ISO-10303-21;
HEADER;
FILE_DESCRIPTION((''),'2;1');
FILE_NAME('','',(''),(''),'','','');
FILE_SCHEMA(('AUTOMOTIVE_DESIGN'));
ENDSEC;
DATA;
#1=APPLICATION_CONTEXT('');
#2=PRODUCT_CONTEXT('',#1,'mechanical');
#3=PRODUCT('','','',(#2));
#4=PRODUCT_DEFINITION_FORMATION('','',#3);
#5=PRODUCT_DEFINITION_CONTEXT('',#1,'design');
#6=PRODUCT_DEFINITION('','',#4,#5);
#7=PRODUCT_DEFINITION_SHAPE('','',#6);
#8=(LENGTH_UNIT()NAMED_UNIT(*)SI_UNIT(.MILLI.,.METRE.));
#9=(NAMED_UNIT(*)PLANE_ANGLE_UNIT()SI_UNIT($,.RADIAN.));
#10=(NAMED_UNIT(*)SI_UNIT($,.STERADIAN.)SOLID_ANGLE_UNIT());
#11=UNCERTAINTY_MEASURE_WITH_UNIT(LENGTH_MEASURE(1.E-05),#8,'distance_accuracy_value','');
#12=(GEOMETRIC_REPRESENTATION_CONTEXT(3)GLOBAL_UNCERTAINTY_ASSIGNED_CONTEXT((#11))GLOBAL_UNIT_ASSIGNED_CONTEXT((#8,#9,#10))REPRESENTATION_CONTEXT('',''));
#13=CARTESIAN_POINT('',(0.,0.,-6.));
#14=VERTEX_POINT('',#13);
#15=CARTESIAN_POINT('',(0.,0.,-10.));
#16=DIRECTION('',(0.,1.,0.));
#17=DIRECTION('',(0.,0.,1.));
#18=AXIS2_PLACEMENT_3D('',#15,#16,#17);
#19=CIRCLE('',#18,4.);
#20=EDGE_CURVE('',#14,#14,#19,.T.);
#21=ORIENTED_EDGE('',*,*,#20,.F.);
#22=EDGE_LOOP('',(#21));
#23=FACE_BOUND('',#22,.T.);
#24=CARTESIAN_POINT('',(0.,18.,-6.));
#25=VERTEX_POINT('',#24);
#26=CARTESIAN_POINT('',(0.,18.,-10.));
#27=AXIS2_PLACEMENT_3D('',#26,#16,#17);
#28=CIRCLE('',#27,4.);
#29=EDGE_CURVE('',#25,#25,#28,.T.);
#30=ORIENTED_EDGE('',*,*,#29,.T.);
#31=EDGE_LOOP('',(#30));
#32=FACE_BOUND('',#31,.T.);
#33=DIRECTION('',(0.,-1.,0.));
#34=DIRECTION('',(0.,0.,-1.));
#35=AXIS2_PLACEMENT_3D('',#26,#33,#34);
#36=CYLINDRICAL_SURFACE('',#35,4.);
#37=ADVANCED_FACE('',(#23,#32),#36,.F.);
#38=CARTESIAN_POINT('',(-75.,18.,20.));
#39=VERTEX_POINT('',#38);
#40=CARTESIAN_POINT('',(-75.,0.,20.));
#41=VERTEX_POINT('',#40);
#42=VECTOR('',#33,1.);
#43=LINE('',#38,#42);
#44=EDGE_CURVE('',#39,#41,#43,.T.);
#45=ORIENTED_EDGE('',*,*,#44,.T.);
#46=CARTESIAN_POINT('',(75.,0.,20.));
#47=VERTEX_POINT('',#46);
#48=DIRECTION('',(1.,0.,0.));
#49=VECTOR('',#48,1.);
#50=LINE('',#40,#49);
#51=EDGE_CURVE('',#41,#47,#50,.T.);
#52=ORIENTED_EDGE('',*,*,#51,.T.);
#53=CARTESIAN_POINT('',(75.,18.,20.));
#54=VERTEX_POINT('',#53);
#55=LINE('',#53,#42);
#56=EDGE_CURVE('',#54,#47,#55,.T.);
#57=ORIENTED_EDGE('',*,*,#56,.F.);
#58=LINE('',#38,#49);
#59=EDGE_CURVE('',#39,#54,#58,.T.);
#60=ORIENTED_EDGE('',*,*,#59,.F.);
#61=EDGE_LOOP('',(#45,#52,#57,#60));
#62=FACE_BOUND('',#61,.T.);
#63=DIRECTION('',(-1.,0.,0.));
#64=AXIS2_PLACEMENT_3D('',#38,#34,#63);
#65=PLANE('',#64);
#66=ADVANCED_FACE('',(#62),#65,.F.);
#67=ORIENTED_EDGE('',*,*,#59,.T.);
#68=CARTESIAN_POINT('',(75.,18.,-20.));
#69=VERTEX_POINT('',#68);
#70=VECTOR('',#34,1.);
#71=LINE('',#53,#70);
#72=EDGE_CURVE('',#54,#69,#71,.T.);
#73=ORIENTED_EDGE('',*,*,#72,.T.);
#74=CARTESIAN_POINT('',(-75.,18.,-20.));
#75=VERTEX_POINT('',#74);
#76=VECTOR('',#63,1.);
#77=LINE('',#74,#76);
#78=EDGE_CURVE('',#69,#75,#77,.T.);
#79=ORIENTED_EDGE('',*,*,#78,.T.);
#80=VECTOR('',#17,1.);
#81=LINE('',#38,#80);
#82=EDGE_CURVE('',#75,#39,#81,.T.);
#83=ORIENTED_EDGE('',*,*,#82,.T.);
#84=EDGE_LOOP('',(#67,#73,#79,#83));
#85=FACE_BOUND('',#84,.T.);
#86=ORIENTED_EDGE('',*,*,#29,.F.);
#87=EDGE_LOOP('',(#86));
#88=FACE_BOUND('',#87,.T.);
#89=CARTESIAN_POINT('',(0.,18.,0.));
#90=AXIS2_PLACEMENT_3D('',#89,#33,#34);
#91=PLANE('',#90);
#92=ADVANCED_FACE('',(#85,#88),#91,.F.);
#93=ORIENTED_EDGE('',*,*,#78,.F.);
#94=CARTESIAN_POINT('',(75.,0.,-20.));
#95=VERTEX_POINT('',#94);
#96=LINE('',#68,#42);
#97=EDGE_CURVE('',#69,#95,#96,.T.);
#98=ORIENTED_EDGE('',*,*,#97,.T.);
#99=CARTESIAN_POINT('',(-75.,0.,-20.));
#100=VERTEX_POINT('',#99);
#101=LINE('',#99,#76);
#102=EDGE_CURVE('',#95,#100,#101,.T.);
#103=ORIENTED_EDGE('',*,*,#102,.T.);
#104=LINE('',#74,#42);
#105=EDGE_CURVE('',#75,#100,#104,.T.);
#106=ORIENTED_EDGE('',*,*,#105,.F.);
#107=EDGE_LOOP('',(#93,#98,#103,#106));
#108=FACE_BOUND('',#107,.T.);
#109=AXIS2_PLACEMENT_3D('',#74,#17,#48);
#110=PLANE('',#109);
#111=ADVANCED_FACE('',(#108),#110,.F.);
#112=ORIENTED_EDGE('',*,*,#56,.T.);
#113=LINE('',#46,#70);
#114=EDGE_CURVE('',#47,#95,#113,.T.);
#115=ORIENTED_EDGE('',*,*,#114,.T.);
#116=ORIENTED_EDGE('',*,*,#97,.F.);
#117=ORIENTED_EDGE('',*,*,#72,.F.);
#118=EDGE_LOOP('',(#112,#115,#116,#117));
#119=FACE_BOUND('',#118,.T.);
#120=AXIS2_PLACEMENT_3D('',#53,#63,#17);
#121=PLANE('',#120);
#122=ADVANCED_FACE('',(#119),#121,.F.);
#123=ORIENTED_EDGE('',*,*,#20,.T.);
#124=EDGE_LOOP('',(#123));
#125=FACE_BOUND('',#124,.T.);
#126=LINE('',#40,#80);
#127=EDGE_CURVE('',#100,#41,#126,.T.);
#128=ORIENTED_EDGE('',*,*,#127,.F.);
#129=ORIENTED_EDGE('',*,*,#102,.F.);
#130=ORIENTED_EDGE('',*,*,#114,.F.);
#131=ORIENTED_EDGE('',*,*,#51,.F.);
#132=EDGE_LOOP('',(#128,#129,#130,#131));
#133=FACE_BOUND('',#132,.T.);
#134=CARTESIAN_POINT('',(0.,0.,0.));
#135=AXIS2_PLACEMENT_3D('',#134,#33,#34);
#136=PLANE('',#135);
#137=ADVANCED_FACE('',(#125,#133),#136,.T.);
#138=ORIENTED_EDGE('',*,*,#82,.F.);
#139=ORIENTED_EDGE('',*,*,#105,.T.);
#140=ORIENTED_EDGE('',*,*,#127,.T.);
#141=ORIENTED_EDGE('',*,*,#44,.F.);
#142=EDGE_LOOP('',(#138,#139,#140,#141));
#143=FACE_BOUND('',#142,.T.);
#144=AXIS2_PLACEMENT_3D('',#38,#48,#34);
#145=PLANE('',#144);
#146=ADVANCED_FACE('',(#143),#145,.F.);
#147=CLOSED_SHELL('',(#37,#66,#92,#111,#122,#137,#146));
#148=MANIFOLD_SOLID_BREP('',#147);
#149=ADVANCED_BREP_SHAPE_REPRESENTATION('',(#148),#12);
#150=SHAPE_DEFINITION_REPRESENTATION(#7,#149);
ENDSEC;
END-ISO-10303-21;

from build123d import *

# Parameters (mm, degrees)
SKETCH1_W           = 150
SKETCH1_H           = 40
SKETCH1_R           = 4
BOSS_EXTRUDE1_DEPTH = 18


with BuildPart() as part:
    # Sketch1 → Boss-Extrude1 (new body)
    with BuildSketch(Plane(origin=(0, 0, 0), x_dir=(1, 0, 0), z_dir=(0, 1, 0))):
        Rectangle(SKETCH1_W, SKETCH1_H)
        with Locations(Location((0, 10, 0), (0, 0, 270))):
            Circle(SKETCH1_R, mode=Mode.SUBTRACT)
    extrude(amount=BOSS_EXTRUDE1_DEPTH)


solid = part.part
